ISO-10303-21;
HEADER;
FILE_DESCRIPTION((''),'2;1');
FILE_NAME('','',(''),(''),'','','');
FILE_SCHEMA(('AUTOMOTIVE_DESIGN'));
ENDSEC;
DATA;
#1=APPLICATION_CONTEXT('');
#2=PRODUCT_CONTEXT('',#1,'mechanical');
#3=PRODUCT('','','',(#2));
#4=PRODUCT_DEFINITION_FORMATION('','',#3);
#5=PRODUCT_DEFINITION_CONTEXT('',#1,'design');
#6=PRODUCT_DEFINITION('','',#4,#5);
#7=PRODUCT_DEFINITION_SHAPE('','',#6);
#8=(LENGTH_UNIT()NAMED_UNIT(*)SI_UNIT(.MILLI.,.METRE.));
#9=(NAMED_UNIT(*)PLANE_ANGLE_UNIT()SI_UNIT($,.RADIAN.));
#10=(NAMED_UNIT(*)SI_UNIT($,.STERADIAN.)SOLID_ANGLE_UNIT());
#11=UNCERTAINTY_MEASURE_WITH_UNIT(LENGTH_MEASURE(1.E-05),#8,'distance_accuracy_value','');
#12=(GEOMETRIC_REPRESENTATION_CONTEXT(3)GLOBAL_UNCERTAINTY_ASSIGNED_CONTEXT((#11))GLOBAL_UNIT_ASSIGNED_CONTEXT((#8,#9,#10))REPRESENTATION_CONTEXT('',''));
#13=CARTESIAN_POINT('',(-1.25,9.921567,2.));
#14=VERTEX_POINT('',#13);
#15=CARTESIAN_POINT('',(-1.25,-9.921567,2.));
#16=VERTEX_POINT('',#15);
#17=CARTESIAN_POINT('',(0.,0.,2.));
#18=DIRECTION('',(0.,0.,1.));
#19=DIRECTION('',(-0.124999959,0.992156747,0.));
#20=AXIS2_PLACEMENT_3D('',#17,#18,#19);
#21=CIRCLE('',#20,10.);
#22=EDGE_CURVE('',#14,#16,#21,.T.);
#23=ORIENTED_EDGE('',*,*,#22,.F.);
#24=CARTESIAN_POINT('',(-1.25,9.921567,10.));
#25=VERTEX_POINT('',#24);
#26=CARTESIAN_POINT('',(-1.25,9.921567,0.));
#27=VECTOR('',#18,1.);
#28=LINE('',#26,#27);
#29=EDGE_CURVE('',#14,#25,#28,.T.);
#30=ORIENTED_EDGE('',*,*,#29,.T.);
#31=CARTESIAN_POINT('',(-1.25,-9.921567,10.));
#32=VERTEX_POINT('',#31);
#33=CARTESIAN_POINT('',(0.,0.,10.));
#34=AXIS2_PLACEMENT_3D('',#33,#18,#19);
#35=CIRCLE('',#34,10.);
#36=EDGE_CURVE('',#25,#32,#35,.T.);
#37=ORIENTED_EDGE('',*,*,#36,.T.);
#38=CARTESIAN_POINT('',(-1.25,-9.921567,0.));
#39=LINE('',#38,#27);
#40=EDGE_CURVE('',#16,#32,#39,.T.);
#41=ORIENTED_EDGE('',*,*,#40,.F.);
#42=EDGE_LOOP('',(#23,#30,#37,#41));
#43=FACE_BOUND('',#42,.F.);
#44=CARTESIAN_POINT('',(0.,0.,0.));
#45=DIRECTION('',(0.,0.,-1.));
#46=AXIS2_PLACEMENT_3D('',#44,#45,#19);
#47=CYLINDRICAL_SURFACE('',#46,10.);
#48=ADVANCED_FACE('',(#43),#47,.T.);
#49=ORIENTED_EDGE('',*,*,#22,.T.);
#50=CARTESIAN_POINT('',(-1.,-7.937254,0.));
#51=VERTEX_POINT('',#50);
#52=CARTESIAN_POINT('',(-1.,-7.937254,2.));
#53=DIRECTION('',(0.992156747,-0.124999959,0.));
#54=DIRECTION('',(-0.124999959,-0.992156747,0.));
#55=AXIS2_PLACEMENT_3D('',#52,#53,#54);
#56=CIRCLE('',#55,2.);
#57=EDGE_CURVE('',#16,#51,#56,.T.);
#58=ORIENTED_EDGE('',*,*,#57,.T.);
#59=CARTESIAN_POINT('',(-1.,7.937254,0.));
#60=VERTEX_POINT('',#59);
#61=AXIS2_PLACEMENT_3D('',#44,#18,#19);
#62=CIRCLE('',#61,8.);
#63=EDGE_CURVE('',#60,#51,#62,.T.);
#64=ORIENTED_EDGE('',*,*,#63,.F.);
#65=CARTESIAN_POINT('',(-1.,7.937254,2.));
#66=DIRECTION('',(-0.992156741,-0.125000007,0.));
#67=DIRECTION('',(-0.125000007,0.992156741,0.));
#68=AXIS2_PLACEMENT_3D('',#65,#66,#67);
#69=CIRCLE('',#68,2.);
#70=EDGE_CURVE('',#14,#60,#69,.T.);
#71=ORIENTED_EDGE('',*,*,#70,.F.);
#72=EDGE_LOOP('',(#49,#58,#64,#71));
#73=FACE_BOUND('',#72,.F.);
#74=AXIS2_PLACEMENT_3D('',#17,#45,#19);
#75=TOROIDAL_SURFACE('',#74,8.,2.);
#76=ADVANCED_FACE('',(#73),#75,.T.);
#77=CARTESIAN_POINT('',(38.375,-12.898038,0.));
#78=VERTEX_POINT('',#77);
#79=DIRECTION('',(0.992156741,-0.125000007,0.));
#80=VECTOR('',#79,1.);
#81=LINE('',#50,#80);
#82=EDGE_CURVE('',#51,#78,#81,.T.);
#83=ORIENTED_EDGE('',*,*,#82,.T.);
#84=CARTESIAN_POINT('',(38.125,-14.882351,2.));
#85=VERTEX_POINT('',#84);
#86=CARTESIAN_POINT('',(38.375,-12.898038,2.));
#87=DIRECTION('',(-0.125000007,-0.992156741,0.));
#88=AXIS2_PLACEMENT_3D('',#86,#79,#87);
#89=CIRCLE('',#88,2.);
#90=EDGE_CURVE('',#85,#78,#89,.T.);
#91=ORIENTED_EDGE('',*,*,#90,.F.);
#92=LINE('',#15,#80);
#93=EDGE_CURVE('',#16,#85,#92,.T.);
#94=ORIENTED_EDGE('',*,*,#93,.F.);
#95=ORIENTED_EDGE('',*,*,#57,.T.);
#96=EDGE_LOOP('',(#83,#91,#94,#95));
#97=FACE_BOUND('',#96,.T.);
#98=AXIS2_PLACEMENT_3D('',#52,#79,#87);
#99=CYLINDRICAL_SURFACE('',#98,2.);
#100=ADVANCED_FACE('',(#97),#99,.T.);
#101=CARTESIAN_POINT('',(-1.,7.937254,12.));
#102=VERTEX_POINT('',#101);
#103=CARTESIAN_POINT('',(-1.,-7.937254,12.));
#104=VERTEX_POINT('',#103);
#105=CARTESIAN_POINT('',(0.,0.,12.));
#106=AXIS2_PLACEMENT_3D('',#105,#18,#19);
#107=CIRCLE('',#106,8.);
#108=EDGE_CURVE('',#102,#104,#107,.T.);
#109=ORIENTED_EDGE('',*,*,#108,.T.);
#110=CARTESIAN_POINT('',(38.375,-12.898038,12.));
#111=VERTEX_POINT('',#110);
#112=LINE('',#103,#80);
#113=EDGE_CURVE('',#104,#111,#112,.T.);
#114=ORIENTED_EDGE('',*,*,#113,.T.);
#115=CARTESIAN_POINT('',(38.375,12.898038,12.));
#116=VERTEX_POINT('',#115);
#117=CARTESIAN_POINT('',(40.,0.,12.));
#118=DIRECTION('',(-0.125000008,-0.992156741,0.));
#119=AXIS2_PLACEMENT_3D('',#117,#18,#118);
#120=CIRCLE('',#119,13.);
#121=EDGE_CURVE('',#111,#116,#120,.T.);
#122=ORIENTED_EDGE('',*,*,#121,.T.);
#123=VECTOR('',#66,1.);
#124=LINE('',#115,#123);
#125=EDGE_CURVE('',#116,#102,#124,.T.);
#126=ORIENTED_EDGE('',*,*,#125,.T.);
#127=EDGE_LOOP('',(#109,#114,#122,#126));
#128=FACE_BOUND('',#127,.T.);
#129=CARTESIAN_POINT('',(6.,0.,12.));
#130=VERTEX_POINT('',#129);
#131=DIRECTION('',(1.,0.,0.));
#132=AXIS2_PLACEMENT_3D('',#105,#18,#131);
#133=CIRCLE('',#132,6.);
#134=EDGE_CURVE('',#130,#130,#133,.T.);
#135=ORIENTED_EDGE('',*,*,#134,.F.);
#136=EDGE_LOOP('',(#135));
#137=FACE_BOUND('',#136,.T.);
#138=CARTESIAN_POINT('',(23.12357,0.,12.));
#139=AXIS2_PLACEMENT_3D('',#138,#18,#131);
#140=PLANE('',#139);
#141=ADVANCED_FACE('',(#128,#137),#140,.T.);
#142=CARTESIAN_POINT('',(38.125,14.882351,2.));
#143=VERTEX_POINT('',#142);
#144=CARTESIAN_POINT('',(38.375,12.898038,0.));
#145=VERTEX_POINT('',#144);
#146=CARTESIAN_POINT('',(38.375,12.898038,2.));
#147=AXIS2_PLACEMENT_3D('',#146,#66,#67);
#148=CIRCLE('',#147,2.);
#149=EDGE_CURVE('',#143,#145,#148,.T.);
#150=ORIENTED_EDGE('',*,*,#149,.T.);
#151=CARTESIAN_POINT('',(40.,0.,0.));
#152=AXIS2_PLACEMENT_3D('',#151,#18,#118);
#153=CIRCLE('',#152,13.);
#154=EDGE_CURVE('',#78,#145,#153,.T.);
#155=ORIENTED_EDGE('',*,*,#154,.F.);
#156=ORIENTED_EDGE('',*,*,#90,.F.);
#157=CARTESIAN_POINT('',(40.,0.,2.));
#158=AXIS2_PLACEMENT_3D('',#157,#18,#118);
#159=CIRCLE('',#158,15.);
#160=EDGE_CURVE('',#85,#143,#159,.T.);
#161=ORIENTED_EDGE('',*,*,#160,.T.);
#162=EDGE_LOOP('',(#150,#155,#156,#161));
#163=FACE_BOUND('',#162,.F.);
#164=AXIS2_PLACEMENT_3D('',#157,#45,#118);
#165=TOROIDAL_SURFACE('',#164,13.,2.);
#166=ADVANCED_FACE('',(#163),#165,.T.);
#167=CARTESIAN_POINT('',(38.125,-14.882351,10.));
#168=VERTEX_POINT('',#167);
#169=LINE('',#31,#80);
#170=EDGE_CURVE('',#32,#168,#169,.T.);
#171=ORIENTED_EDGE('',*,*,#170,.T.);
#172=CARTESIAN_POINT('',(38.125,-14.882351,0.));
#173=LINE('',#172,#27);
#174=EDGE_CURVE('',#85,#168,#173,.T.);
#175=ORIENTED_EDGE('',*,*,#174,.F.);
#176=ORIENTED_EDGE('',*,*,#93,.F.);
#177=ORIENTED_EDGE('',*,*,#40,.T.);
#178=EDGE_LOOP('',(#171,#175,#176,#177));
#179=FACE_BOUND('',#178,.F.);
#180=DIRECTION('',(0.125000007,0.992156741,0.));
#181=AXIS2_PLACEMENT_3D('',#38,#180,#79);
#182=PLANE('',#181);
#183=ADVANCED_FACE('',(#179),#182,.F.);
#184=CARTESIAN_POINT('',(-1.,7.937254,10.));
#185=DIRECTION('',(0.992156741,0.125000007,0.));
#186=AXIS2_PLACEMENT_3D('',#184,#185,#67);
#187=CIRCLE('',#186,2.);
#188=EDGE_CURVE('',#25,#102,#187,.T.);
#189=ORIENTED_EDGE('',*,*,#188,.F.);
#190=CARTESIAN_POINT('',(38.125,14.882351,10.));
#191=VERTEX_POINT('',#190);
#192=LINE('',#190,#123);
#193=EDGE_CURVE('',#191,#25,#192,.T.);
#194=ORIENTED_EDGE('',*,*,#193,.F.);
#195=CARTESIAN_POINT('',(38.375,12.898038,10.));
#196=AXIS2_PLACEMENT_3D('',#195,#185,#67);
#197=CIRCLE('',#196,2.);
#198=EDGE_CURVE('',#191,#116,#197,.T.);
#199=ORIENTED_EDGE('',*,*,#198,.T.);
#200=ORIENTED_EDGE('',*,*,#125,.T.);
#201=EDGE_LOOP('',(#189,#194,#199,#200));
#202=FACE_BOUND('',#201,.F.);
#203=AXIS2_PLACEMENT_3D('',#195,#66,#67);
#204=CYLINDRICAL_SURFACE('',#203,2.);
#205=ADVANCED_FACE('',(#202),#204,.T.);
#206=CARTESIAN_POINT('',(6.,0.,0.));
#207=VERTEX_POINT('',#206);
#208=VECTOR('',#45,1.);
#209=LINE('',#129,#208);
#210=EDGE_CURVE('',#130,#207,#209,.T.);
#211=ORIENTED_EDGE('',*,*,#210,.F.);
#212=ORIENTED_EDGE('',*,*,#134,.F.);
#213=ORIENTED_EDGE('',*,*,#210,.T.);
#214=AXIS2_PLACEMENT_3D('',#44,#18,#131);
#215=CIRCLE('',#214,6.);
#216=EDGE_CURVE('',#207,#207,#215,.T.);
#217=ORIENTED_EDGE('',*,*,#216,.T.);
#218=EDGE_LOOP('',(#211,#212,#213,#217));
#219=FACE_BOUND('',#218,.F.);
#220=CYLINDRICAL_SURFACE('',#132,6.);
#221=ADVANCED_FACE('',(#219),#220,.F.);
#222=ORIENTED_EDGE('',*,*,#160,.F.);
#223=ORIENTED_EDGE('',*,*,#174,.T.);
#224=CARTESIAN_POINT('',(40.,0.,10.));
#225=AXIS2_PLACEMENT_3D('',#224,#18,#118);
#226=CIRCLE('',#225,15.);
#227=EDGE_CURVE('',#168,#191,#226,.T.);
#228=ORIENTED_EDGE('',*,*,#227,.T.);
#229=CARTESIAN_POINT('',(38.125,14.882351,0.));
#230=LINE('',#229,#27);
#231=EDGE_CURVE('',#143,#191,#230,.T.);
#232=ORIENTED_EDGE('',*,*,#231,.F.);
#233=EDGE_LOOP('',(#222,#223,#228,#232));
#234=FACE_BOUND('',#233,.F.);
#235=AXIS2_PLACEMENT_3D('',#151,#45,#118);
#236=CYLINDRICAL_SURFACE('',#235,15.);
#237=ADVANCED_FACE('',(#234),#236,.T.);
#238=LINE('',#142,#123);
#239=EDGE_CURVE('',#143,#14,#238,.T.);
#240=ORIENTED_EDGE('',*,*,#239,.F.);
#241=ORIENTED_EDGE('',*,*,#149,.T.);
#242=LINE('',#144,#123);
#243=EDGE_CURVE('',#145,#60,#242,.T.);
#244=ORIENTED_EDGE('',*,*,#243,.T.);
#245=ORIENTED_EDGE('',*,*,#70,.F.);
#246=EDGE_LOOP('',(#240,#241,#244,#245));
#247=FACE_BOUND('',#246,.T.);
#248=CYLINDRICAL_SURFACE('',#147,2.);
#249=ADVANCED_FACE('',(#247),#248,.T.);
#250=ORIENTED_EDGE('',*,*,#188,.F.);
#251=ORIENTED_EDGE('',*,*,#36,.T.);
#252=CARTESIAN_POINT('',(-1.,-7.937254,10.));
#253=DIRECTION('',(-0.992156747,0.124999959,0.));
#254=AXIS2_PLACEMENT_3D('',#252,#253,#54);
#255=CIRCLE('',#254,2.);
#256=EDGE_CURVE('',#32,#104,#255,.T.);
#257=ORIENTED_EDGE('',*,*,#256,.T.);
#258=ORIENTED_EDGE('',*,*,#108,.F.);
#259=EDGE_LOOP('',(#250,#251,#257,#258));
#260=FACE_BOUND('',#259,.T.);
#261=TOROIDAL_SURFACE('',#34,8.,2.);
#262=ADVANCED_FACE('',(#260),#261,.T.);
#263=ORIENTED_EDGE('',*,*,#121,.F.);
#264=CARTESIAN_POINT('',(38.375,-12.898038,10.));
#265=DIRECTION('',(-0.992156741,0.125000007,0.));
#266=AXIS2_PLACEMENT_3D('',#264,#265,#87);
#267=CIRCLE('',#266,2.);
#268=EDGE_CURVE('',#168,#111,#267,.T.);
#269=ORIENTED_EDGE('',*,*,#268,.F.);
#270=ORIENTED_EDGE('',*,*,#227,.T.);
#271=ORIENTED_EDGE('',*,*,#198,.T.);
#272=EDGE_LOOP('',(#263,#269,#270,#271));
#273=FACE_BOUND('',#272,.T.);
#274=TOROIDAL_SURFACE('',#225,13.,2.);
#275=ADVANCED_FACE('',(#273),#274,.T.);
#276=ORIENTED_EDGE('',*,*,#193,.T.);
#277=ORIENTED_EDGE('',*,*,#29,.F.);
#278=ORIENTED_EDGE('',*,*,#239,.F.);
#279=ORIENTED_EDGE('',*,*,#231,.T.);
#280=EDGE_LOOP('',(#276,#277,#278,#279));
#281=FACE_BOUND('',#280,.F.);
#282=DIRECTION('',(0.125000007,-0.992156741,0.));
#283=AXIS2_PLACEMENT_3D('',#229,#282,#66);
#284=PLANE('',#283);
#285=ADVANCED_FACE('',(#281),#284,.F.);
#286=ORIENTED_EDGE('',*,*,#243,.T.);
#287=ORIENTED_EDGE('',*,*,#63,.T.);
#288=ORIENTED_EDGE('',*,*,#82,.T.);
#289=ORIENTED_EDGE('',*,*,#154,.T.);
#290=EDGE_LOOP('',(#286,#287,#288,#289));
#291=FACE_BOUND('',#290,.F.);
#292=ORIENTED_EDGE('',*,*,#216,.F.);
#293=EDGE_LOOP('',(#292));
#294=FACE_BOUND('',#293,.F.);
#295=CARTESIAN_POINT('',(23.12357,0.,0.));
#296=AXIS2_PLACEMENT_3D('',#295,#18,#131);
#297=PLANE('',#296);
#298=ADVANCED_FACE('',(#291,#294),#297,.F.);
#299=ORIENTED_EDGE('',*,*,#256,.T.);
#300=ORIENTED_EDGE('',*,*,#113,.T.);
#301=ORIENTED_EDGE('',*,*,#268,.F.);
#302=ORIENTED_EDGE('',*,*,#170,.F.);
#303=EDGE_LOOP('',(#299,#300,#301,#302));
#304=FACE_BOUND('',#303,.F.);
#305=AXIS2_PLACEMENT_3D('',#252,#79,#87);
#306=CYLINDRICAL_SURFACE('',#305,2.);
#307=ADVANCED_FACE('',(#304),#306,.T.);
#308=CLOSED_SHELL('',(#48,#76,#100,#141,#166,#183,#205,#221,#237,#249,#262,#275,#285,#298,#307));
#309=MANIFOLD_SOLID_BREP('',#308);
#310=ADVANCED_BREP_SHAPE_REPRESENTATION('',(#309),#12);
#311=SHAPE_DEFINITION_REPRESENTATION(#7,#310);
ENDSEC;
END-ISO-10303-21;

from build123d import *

# Parameters (mm, degrees)
F1_DEPTH = 12
F2_R     = 6
F3_DEPTH = 12
F4_R     = 2


with BuildPart() as f1:
    # F0 (on Top) → F1 (new body)
    with BuildSketch(Plane.XY):
        with BuildLine():
            Line((38.125, 14.882351), (-1.25, 9.921567))
            ThreePointArc((-1.25, 9.921567), (-10, 0), (-1.25, -9.921567))
            Line((-1.25, -9.921567), (38.125, -14.882351))
            ThreePointArc((38.125, -14.882351), (55, 0), (38.125, 14.882351))
        make_face()
    extrude(amount=F1_DEPTH)

    # F2 (on face) → F3 (cut, through all)
    with BuildSketch(Plane.XY.offset(12)):
        Circle(F2_R)
    extrude(amount=-F3_DEPTH, mode=Mode.SUBTRACT)

    # F4
    f4_edges = [f1.edges().sort_by_distance(p)[0] for p in [
        (18.4375, 12.401959, 12),
        (18.4375, 12.401959, 0),
    ]]
    fillet(f4_edges, radius=F4_R)


solid = f1.part
